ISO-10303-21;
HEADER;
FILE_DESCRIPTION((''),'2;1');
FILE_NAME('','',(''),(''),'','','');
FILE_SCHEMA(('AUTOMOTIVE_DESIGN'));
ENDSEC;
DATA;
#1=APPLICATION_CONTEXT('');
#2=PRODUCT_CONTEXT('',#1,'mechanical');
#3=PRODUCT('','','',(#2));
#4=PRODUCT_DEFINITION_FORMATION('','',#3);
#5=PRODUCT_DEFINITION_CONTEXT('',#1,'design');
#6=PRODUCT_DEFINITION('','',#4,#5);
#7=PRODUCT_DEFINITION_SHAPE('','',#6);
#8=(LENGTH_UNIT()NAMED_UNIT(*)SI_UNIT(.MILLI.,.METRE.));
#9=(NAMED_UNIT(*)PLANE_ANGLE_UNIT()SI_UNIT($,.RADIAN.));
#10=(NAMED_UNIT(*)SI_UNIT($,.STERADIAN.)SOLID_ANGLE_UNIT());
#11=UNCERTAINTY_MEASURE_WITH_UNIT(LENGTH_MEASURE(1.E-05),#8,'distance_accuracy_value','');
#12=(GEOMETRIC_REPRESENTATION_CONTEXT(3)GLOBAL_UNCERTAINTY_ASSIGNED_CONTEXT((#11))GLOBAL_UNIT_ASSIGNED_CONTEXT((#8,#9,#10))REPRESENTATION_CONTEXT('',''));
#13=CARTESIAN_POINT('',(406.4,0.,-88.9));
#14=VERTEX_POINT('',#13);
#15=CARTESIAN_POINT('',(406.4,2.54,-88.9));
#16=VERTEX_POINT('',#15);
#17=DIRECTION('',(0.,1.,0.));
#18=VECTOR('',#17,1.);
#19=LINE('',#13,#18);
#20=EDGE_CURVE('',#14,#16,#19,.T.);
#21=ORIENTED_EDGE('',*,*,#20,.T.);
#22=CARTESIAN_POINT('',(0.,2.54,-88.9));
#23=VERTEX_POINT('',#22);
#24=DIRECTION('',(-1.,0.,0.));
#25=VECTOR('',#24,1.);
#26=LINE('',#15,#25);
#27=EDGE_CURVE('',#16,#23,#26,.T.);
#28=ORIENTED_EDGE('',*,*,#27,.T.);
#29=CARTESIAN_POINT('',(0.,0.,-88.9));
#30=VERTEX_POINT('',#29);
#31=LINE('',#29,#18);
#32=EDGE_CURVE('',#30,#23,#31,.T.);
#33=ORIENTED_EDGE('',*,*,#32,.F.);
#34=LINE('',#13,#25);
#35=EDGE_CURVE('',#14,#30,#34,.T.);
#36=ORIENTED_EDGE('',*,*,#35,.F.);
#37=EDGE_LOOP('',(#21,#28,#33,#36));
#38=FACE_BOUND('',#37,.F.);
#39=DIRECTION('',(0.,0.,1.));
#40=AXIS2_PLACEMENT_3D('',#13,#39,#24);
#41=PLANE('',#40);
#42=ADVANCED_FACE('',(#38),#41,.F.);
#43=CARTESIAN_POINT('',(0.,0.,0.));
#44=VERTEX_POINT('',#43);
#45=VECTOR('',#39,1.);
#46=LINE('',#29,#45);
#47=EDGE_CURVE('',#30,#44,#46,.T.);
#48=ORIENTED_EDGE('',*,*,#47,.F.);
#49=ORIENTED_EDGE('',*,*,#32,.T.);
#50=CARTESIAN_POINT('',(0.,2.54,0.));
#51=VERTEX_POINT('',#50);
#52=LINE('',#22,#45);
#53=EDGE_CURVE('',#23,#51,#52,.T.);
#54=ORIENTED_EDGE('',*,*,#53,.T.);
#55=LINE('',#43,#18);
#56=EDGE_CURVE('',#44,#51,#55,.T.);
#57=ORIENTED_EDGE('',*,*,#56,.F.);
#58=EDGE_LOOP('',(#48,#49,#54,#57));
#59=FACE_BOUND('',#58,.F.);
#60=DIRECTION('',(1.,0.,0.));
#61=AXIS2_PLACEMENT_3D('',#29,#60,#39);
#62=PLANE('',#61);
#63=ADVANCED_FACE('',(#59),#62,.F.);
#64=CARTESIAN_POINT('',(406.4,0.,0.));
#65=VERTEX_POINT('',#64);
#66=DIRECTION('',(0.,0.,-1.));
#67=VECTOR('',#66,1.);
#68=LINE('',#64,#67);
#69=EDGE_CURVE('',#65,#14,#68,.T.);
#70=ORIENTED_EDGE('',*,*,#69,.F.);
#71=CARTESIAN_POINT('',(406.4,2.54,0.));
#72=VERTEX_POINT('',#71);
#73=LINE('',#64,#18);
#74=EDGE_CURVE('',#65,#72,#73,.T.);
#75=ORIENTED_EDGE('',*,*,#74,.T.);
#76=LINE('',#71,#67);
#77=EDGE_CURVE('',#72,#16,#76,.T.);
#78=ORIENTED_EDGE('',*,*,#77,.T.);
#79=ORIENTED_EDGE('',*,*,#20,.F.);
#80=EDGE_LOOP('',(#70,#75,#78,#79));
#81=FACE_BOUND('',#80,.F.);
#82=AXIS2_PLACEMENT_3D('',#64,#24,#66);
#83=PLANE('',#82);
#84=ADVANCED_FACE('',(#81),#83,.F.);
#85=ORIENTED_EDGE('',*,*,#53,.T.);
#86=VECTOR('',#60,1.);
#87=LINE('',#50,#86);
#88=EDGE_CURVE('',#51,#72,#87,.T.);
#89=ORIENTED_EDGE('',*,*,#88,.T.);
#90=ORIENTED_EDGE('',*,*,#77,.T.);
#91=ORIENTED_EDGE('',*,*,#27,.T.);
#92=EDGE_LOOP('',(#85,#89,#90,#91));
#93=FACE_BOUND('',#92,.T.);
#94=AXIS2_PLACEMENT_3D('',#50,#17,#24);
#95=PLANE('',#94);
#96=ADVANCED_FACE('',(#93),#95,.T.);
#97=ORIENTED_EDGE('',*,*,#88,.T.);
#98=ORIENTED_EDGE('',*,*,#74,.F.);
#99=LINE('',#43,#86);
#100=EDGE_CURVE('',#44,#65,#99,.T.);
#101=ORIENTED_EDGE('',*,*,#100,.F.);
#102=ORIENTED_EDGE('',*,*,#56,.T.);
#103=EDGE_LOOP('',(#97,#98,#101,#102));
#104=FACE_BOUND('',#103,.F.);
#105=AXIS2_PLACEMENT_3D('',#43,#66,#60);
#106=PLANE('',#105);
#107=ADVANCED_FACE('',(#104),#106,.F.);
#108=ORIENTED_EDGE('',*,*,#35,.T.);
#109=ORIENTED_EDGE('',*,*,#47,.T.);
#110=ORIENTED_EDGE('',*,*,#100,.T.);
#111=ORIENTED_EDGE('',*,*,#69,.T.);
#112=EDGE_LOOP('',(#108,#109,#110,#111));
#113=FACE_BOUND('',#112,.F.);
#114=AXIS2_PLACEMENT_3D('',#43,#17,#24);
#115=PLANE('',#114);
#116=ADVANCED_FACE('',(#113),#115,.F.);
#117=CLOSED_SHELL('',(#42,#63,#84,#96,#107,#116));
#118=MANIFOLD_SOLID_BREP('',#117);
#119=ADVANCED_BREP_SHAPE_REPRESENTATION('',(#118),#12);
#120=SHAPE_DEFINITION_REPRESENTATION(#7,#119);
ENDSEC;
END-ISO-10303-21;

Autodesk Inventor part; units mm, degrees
ref_plane "YZ Plane" through (0, 0, 0) normal (1, 0, 0) x (0, 1, 0)
ref_plane "XZ Plane" through (0, 0, 0) normal (0, 1, 0) x (-1, 0, 0)
ref_plane "XY Plane" through (0, 0, 0) normal (0, 0, 1) x (1, 0, 0)
sketch "Sketch1" plane through (0, 0, 0) normal (0, 1, 0) x (-1, 0, 0)
  line L0 (0, 0) -> (-406.4, 0)
  line L1 (-406.4, 0) -> (-406.4, -88.9)
  line L2 (-406.4, -88.9) -> (0, -88.9)
  line L3 (0, -88.9) -> (0, 0)
  dimension "d0" = 406.4
  dimension "d1" = 88.9
extrude "Extrusion1" add sketch "Sketch1" along normal blind 2.54
properties part number "COnveyor base"
